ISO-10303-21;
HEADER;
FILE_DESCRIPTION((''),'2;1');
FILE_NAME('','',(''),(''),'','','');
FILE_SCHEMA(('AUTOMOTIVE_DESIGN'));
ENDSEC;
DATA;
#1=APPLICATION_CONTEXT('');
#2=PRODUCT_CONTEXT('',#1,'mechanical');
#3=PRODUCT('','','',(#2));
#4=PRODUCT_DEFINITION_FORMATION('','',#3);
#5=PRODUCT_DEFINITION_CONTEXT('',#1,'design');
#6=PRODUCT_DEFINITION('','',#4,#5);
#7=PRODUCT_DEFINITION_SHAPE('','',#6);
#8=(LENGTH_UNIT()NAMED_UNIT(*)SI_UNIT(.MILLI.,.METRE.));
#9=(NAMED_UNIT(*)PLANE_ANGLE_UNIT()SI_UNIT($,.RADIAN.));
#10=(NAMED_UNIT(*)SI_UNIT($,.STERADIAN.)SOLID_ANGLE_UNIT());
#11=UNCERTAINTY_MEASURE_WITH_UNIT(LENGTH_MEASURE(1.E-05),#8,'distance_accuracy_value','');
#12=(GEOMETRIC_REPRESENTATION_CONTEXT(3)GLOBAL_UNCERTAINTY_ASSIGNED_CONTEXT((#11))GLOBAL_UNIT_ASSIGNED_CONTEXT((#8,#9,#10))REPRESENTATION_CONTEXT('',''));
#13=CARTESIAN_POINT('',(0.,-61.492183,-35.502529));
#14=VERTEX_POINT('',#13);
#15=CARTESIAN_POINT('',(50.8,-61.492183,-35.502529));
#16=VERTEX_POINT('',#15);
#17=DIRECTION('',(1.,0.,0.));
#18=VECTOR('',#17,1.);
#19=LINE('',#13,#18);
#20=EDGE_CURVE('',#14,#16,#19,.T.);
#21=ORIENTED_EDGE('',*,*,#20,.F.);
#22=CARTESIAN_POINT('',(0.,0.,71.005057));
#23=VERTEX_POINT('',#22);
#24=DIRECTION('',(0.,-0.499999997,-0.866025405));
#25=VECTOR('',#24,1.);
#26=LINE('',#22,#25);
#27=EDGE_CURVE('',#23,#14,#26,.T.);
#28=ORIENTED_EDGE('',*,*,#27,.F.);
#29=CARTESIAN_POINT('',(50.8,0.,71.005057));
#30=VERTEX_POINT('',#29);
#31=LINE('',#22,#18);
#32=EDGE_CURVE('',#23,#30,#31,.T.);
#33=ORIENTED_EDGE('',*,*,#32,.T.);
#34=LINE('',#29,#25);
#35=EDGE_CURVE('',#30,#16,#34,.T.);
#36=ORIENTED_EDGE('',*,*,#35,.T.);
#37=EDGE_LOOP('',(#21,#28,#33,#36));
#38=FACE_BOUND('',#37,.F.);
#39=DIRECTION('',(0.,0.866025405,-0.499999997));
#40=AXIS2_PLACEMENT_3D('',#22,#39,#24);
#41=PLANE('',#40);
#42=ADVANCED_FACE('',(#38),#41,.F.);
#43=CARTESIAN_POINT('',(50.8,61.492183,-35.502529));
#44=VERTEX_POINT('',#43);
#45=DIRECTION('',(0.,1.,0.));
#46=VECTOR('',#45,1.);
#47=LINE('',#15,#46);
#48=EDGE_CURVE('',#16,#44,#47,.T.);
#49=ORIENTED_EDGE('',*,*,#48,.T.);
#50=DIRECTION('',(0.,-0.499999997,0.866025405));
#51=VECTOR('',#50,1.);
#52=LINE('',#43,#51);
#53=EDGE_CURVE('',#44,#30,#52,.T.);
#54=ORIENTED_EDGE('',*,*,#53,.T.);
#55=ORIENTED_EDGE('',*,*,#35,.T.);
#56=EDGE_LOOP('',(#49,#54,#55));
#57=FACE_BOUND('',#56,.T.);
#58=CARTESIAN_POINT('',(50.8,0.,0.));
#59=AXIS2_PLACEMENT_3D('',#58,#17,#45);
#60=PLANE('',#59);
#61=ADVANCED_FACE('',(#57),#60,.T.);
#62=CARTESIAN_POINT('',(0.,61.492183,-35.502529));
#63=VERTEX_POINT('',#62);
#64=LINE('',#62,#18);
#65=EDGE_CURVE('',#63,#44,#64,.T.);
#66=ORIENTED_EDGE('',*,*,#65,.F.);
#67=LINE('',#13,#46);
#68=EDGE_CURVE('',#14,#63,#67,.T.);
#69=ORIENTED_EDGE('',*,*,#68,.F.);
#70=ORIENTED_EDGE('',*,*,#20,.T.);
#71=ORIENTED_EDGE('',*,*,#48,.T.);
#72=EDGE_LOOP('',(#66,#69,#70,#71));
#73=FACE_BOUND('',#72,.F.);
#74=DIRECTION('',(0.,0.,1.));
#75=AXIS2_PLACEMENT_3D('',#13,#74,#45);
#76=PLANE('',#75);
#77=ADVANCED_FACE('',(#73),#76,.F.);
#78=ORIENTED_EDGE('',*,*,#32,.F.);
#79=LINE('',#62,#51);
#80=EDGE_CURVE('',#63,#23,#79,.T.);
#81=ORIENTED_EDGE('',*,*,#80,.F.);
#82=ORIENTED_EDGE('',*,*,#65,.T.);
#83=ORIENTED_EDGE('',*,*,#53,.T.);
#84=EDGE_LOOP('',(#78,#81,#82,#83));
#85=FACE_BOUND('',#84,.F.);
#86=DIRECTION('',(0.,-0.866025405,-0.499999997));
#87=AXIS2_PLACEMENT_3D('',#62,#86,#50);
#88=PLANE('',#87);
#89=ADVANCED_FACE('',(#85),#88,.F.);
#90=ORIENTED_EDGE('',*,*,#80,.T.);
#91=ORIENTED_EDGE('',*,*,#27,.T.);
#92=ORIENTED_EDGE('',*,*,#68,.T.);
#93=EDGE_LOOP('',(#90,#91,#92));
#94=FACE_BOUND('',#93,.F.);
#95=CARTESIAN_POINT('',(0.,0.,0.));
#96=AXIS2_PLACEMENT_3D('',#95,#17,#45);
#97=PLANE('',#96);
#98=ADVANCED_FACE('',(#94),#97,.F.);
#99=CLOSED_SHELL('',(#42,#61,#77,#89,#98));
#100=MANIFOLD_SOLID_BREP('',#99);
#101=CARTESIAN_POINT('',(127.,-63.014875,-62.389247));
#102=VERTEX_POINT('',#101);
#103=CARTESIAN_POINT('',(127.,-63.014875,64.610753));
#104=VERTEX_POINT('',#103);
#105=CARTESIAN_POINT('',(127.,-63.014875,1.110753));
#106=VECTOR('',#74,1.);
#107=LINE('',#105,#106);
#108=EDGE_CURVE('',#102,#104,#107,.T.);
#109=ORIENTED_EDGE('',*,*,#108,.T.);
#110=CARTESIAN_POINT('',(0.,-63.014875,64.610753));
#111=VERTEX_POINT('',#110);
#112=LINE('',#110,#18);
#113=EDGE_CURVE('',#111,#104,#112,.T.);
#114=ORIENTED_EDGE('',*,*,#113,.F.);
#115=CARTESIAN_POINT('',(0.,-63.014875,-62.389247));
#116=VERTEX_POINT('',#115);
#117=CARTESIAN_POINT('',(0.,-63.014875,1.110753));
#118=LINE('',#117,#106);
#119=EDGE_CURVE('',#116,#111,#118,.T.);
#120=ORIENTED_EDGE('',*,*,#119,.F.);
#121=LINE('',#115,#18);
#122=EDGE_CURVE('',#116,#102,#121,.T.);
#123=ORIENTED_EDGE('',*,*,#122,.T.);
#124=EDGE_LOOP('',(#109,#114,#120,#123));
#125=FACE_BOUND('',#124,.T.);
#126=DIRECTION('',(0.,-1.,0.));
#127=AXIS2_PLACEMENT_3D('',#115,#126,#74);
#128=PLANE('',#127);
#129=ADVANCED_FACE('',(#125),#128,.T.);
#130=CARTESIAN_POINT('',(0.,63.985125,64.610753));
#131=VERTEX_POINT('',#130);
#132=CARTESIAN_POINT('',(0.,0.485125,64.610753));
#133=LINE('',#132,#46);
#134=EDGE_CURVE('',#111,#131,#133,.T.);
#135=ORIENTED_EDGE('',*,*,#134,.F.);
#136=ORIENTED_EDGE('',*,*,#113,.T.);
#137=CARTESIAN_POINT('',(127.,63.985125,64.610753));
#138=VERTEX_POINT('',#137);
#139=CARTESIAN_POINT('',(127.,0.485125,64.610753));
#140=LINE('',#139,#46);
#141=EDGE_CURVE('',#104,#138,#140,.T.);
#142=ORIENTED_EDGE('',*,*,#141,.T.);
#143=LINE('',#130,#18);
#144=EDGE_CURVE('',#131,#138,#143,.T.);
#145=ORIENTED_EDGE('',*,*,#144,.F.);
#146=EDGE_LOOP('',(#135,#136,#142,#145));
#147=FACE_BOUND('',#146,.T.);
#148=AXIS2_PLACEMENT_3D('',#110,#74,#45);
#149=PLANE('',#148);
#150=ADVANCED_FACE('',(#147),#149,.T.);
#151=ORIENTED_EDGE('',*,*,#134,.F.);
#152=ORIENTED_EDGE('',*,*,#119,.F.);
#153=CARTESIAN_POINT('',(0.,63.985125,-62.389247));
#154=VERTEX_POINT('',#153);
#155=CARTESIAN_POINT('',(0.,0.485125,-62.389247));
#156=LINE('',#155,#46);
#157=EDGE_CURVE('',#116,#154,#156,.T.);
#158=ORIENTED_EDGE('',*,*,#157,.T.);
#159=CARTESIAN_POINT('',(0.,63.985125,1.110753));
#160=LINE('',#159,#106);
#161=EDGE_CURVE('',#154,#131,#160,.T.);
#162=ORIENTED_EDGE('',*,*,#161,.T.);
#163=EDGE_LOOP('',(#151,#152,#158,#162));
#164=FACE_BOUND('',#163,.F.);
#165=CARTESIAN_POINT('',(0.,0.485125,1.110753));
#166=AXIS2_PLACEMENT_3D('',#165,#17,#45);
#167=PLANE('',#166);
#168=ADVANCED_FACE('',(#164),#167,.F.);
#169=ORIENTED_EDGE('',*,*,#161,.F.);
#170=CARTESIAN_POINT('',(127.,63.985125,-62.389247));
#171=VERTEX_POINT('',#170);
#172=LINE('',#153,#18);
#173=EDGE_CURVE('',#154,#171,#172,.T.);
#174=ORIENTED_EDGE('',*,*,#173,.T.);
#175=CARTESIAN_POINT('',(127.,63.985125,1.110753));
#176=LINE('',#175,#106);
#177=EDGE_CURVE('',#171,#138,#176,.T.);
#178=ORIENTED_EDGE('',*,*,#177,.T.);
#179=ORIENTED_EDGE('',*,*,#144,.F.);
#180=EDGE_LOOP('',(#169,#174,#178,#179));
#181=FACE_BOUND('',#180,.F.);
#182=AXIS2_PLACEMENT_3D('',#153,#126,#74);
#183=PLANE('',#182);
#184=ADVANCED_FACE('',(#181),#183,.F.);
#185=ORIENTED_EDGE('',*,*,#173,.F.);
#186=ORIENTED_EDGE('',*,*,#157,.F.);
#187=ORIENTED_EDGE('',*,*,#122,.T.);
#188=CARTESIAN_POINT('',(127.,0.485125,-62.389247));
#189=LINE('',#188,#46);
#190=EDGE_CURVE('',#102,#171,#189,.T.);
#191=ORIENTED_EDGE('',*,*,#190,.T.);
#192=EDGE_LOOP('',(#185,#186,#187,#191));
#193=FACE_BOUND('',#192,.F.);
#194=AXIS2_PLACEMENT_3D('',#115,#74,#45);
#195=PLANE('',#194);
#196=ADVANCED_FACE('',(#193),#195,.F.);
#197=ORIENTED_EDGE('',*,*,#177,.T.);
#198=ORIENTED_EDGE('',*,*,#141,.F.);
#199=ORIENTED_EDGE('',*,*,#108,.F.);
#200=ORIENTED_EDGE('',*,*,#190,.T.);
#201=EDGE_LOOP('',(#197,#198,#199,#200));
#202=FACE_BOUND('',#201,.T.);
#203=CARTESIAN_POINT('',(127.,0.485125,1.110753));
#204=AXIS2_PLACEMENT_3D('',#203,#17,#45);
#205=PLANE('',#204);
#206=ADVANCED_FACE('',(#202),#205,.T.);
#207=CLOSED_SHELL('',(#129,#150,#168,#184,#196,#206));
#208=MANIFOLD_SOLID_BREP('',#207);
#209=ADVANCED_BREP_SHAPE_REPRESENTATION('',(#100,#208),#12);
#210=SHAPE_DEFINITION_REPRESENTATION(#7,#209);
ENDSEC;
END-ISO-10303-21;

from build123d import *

# Parameters (mm, degrees)
F1_W     = 127
F1_H     = 127
F2_DEPTH = 127
F3_DEPTH = 50.8


with BuildPart() as f2:
    # F1 (on Right) → F2 (new body)
    with BuildSketch(Plane.YZ):
        with Locations((0.485125, 1.110753)):
            Rectangle(F1_W, F1_H)
    extrude(amount=F2_DEPTH)


with BuildPart() as f3:
    # F0 (on Right) → F3 (new body)
    with BuildSketch(Plane.YZ):
        Polygon((0, 71.005057), (-61.492183, -35.502529), (61.492183, -35.502529), align=None)
    extrude(amount=F3_DEPTH)


solid = Compound([f2.part, f3.part])
